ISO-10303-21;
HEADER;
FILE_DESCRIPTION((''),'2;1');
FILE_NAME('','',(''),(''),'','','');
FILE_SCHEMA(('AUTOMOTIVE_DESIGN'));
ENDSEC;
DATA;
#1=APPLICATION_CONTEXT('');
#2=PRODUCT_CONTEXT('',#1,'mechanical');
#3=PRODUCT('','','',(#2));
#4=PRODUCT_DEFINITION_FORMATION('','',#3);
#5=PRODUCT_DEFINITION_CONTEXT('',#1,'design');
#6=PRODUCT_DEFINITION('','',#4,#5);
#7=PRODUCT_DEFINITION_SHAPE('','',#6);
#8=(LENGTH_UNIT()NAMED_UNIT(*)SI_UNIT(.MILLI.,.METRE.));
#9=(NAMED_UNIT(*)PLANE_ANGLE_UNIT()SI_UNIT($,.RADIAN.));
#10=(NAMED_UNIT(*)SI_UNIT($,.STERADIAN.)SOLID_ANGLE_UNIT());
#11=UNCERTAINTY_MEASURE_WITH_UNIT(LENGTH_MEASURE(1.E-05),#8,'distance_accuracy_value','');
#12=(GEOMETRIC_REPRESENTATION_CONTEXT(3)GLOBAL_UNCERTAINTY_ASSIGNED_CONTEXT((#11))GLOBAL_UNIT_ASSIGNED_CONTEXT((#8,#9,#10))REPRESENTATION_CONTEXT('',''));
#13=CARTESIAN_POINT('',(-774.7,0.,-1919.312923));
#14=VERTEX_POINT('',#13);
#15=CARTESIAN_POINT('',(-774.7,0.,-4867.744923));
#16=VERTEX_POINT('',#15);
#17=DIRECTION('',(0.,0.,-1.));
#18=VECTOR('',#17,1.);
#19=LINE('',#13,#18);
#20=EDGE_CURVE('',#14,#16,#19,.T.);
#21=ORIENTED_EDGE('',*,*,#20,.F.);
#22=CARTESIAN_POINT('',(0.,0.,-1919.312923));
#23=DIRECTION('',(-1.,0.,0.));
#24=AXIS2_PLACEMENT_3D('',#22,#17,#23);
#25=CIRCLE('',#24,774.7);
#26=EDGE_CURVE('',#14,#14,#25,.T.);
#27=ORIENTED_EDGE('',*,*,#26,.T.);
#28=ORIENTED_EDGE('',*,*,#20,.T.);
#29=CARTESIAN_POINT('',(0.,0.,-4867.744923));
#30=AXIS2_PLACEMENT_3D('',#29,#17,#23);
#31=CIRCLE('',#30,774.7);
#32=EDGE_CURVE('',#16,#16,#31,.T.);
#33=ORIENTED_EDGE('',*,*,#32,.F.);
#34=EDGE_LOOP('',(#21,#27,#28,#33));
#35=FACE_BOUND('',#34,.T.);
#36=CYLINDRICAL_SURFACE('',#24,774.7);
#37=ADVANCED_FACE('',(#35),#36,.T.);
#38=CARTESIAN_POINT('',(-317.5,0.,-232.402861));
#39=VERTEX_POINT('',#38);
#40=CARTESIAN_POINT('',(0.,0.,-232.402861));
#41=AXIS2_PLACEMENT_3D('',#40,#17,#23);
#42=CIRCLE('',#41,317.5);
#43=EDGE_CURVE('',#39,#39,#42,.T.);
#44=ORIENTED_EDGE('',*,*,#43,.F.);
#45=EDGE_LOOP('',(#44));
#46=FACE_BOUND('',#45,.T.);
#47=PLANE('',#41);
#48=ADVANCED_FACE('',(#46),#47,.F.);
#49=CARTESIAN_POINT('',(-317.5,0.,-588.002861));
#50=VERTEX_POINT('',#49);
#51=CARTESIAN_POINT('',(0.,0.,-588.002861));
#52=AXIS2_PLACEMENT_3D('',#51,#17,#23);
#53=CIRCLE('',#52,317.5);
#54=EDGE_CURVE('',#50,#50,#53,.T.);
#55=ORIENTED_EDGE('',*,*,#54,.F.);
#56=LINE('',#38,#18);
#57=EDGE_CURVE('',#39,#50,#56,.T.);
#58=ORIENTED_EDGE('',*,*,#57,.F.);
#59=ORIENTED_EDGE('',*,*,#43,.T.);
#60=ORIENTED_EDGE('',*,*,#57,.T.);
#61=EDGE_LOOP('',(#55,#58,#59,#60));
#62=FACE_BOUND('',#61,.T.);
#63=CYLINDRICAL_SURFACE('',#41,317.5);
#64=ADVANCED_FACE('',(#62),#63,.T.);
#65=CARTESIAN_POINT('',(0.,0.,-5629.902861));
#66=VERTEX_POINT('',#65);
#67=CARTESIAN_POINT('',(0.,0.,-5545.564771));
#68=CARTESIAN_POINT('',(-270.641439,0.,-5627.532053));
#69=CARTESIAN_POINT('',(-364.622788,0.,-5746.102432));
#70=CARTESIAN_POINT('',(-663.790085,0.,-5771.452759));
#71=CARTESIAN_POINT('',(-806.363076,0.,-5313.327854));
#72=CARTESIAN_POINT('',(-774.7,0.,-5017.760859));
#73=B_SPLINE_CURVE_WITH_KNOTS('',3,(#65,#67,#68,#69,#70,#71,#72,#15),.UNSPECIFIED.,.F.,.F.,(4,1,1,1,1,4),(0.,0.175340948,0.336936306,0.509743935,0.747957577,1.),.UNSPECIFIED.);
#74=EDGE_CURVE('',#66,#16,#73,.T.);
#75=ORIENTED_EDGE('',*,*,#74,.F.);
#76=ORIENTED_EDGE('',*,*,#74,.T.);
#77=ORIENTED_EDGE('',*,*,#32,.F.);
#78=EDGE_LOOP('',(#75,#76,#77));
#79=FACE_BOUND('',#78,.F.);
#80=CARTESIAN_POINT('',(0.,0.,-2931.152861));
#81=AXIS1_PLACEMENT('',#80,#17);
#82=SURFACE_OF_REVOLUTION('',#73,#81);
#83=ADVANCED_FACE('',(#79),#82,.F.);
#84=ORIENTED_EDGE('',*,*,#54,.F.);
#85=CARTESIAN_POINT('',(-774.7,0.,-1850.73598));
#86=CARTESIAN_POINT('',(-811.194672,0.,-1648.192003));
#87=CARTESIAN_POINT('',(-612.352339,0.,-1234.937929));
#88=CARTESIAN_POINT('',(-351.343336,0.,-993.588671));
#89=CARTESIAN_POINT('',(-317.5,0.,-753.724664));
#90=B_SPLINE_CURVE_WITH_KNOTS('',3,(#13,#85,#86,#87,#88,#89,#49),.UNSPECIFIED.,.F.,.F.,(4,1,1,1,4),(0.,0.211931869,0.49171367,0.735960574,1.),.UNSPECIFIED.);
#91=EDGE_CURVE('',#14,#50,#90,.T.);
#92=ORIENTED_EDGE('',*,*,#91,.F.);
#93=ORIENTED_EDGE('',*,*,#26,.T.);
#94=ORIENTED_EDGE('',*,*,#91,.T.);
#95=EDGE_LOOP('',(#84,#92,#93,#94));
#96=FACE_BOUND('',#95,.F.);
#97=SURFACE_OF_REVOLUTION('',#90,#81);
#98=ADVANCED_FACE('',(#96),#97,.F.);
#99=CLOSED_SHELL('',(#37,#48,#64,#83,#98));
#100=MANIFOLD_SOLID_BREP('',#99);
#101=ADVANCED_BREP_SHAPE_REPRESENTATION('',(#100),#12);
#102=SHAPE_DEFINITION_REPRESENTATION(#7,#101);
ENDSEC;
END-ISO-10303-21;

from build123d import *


with BuildPart() as f1:
    # F0 (on Front) → F1 (revolve)
    with BuildSketch(Plane.XZ):
        with BuildLine():
            Line((0, -5629.9028605461), (0, -232.4028605461))
            Line((0, -232.4028605461), (-317.5, -232.4028605461))
            Line((-317.5, -232.4028605461), (-317.5, -588.0028605461))
            add(Edge.make_bspline(
                [(-774.7, -1919.3129226379), (-774.7, -1850.7359798911), (-811.1946723318, -1648.1920029728), (-612.3523392478, -1234.9379290926), (-351.3433360648, -993.588671407), (-317.5, -753.7246640367), (-317.5, -588.0028605461)],
                knots=[0, 0, 0, 0, 0.2119318685, 0.49171367, 0.7359605744, 1, 1, 1, 1], degree=3))
            Line((-774.7, -1919.3129226379), (-774.7, -2935.3129226379))
            Line((-774.7, -2935.3129226379), (-774.7, -4867.7449226379))
            add(Edge.make_bspline(
                [(0, -5629.9028605461), (0, -5545.5647706717), (-270.6414393035, -5627.5320529783), (-364.6227877106, -5746.1024315079), (-663.7900853279, -5771.4527589855), (-806.3630763071, -5313.3278540622), (-774.7, -5017.7608585505), (-774.7, -4867.7449226379)],
                knots=[0, 0, 0, 0, 0.1753409478, 0.3369363058, 0.5097439353, 0.7479575769, 1, 1, 1, 1], degree=3))
        make_face()
    revolve(axis=Axis((0, 0, -2931.1528605461), (0, 0, -1)))


solid = f1.part
